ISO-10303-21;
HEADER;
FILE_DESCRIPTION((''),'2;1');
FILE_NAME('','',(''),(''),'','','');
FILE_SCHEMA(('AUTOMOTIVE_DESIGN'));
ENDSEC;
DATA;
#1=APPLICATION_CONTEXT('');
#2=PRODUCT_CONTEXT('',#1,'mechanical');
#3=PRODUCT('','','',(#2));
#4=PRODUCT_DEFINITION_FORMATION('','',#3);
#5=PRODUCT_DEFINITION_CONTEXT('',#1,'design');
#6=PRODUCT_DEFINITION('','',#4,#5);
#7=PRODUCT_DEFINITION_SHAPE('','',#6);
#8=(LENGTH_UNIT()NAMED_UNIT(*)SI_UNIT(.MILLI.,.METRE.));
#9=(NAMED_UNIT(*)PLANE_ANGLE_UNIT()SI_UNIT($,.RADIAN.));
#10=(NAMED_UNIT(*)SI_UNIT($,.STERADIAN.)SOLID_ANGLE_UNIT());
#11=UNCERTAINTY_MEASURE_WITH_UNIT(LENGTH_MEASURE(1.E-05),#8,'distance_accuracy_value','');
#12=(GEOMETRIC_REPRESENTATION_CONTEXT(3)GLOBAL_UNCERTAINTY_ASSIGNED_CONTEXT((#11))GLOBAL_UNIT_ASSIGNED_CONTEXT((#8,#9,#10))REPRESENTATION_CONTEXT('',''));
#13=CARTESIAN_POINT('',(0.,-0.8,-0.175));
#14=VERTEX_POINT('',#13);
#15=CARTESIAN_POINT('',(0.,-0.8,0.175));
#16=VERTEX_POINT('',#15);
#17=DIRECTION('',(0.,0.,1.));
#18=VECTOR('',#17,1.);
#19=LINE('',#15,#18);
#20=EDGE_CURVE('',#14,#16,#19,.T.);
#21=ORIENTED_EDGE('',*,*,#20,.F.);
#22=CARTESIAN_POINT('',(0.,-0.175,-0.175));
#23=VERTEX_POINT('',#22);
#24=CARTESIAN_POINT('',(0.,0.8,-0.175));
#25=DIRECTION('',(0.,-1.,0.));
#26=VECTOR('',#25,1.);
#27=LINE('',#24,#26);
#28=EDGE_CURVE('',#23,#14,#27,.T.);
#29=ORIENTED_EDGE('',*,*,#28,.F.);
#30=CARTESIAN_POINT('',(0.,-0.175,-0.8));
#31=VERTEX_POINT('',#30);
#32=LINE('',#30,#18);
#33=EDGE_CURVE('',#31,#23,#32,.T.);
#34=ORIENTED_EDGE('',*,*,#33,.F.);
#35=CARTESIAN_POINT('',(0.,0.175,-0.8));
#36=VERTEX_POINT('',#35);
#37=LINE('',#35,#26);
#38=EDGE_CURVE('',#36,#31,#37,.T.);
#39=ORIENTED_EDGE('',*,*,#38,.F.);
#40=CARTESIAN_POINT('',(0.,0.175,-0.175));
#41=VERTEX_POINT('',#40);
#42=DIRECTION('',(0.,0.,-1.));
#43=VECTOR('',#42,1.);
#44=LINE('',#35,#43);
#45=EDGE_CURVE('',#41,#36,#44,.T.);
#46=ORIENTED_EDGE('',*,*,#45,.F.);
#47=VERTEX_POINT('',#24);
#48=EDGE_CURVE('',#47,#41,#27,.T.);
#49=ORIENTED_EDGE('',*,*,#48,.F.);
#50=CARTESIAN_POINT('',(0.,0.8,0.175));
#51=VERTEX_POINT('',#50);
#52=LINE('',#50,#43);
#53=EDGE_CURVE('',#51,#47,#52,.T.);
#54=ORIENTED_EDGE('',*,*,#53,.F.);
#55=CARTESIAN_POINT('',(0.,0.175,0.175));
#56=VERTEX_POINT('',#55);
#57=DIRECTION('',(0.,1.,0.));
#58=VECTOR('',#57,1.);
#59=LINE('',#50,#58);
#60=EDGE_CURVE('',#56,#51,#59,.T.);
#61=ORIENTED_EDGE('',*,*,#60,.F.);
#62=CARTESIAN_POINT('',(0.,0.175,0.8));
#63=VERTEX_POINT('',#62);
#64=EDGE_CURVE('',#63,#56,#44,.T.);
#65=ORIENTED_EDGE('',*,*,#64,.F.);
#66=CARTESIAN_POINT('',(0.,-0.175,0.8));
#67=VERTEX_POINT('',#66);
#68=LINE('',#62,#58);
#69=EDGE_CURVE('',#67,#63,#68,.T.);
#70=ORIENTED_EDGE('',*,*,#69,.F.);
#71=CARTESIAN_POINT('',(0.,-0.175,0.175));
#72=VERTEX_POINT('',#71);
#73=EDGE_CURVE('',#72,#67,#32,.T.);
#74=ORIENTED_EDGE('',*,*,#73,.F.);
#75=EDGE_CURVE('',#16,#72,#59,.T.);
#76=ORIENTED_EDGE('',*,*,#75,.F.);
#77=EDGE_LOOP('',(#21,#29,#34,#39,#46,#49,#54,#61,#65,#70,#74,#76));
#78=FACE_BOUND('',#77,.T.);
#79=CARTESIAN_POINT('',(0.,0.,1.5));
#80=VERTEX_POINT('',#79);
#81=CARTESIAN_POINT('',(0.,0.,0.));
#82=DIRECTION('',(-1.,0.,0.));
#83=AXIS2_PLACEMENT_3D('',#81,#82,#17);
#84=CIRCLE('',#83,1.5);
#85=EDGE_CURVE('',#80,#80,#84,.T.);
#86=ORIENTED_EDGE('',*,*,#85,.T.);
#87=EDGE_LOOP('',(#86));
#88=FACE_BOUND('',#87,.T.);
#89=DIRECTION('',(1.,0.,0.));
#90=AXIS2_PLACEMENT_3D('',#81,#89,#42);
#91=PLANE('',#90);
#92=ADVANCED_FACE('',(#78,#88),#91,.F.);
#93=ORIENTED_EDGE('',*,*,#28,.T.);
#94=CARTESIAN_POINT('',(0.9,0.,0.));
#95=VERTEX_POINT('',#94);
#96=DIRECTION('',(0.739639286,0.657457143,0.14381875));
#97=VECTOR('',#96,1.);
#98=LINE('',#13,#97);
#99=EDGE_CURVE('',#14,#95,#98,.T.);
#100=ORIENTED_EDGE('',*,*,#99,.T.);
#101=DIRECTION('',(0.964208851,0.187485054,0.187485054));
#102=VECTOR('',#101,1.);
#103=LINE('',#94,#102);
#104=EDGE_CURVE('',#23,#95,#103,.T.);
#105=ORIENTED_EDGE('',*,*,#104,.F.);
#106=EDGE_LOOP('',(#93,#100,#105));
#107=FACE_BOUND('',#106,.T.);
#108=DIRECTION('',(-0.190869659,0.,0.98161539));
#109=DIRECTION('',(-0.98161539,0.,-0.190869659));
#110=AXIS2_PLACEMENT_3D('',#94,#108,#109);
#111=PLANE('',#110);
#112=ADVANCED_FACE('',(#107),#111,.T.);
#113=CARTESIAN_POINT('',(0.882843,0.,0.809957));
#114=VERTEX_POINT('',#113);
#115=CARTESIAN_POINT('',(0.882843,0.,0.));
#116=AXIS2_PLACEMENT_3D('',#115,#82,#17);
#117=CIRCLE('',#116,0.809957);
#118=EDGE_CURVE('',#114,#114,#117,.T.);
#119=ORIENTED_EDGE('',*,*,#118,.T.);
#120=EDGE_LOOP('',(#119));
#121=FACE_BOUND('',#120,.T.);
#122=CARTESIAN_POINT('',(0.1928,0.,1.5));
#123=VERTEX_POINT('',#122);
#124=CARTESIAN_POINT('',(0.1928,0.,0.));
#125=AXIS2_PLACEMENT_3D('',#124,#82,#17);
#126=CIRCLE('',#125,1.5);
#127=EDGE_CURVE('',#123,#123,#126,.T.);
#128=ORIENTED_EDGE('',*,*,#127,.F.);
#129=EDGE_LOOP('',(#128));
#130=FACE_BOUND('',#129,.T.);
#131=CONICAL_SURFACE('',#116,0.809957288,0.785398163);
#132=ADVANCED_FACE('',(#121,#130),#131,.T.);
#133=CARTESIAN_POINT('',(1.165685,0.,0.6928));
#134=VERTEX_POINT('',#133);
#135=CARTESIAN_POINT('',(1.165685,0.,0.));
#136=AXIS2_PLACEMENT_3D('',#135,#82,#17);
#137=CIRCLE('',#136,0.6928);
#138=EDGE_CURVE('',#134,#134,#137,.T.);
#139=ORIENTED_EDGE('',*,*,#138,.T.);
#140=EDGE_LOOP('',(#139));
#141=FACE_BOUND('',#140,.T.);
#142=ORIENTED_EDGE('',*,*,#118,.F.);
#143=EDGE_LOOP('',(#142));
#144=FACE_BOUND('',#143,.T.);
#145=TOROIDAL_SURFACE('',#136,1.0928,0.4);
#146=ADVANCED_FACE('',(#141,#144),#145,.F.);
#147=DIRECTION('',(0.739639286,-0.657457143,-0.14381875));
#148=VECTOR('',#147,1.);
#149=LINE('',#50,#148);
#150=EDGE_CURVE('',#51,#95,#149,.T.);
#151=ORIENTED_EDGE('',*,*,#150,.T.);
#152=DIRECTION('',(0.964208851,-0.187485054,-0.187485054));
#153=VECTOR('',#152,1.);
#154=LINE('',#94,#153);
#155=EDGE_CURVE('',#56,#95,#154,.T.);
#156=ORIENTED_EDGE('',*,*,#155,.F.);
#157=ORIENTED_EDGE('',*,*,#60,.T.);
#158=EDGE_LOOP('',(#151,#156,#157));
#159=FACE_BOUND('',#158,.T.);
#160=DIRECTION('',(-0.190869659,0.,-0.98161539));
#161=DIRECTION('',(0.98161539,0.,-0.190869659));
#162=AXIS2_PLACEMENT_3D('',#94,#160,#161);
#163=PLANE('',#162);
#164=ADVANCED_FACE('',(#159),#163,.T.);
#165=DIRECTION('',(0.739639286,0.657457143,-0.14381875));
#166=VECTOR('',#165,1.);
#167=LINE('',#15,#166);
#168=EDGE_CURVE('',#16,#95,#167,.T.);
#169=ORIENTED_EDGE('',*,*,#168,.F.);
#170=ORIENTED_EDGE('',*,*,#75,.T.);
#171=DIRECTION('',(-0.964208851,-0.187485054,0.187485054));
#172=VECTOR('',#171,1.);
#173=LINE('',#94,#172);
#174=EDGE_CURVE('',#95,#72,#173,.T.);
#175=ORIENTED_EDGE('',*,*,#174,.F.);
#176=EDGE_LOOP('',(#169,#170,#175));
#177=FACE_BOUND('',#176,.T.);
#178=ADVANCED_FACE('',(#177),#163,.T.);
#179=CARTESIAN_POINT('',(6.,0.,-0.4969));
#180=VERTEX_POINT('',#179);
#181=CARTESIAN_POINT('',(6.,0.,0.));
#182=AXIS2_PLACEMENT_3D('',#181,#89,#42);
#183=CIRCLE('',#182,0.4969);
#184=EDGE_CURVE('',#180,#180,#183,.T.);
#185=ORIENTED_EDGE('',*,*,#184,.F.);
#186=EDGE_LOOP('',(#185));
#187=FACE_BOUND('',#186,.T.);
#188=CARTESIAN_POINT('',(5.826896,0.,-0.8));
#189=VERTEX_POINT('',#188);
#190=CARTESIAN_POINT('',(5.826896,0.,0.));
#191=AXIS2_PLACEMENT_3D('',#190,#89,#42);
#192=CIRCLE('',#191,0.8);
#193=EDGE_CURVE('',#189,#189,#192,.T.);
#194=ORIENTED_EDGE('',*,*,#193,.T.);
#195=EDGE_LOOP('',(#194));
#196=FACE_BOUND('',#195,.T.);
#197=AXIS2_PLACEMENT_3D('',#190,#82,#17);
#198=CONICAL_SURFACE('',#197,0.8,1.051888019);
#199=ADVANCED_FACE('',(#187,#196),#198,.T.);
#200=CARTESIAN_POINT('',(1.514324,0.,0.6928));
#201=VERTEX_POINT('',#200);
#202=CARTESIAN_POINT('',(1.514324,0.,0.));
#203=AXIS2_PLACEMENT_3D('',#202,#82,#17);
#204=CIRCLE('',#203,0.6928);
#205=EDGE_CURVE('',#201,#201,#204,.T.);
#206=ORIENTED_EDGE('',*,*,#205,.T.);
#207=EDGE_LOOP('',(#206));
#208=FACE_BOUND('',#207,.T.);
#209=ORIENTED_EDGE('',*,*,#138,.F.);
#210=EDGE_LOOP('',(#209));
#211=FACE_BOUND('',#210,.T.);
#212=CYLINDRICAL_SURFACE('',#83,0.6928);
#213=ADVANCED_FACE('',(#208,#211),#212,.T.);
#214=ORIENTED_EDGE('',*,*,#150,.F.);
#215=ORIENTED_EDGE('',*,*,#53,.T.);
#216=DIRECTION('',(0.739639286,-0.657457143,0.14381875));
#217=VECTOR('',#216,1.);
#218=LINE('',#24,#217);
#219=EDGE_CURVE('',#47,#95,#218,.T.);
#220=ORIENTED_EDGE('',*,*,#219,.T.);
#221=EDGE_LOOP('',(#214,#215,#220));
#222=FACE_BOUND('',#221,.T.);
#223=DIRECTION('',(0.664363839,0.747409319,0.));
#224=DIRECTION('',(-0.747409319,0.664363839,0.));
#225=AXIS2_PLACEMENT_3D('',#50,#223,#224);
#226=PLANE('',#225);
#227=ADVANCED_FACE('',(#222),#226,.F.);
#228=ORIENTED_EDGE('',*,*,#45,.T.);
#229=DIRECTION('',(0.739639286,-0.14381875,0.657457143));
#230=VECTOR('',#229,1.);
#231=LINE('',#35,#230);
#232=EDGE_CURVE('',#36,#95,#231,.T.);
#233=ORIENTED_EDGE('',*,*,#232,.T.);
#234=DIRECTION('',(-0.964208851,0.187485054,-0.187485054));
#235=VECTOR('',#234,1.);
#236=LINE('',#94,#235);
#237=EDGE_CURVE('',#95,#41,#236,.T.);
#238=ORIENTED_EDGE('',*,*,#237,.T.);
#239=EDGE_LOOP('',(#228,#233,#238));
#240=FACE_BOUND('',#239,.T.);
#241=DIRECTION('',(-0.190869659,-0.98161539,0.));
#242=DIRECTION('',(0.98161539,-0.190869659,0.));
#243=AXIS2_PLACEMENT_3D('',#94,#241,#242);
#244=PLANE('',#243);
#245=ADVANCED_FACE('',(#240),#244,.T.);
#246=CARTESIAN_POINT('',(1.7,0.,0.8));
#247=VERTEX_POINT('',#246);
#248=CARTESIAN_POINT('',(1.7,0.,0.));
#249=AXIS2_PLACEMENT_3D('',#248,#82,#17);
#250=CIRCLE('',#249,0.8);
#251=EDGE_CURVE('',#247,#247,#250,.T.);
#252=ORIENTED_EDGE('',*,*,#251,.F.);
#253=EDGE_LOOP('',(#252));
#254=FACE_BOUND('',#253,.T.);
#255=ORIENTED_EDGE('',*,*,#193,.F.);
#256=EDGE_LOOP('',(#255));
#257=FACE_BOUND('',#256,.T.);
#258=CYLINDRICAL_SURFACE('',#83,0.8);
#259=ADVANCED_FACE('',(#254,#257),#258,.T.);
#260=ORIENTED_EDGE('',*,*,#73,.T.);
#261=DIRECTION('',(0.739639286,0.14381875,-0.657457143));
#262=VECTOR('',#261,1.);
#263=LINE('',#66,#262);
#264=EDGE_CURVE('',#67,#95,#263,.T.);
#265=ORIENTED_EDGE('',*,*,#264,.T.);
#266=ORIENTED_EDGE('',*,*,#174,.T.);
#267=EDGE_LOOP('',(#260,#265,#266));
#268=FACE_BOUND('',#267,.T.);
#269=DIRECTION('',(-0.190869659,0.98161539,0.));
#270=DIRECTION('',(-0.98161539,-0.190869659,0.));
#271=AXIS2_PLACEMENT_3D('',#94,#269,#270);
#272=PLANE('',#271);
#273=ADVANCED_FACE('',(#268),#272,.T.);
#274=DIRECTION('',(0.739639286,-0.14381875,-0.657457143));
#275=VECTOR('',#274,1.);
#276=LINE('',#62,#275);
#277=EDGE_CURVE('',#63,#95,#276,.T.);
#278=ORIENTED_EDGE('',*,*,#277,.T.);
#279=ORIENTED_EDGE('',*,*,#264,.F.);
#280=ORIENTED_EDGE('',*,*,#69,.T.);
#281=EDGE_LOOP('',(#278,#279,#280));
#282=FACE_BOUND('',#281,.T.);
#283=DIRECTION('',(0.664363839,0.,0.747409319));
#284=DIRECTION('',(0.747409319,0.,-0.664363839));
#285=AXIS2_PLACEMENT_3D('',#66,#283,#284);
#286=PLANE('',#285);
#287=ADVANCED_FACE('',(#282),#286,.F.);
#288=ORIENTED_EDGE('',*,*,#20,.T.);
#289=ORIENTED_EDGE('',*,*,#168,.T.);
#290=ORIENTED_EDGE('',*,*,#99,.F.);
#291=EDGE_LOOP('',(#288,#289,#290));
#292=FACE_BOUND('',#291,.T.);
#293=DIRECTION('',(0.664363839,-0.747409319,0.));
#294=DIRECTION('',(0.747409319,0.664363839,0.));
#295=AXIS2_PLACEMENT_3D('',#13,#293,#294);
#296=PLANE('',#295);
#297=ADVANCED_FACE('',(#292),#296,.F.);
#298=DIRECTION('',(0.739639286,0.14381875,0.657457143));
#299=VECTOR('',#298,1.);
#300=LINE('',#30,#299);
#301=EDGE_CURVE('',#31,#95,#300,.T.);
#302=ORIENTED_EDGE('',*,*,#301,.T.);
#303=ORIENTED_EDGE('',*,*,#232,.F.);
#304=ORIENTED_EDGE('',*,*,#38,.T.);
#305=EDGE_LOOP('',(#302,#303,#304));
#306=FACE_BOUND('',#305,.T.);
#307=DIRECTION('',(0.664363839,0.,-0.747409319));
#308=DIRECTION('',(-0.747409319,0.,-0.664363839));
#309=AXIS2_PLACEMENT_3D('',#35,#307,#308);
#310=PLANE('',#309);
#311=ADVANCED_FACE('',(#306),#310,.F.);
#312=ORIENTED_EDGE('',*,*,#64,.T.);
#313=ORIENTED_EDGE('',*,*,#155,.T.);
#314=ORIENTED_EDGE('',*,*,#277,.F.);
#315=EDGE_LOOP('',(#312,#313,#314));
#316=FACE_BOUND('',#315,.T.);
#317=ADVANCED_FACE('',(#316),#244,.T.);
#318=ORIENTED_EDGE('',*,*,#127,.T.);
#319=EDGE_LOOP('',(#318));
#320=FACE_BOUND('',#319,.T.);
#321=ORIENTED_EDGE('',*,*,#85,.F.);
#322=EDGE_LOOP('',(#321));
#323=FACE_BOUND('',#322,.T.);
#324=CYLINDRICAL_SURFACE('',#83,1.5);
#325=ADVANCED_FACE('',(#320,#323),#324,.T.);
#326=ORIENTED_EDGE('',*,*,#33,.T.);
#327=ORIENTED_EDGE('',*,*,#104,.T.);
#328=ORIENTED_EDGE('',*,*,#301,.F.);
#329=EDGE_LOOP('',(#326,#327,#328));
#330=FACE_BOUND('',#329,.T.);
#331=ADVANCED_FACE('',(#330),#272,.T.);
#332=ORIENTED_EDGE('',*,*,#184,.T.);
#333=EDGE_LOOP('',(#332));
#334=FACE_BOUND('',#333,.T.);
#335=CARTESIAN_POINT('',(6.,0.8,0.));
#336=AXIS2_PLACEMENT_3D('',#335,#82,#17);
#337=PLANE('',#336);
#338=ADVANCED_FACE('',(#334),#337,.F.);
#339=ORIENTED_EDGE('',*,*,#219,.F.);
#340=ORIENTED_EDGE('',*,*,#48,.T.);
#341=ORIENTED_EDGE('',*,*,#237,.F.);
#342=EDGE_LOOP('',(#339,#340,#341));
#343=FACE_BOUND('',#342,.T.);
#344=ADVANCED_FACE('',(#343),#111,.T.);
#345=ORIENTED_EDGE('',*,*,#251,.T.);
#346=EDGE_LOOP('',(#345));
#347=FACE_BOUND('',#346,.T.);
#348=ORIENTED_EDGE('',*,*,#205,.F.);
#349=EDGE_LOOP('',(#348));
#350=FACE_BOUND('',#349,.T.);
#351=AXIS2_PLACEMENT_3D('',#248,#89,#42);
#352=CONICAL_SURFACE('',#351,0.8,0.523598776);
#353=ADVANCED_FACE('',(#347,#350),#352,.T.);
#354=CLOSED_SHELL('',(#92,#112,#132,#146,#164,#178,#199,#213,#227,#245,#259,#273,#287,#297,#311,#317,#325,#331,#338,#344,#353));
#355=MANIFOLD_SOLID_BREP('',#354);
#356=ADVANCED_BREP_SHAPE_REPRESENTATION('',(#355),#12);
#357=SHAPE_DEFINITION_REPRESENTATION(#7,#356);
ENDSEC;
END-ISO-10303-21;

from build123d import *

# Parameters (mm, degrees)
PATTERN_CIRCULAR_1_COUNT = 2
PATTERN_CIRCULAR_1_ANGLE = 90


with BuildPart() as part:
    # 草图1 → Revolve 694 (revolve)
    with BuildSketch(Plane.XY, mode=Mode.PRIVATE) as revolve_694_sk:
        with BuildLine():
            Line((0, 0), (0, 1.5))
            Line((0, 1.5), (0.1928, 1.5))
            Line((0.1928, 1.5), (0.882842712, 0.809957288))
            ThreePointArc((0.882842712, 0.809957288), (1.012612052, 0.723248187), (1.165685425, 0.6928))
            Line((1.165685425, 0.6928), (1.514324153, 0.6928))
            Line((1.514324153, 0.6928), (1.7, 0.8))
            Line((1.7, 0.8), (6, 0.8))
            Line((6, 0.8), (6, 0))
            Line((6, 0), (0, 0))
        make_face()
    revolve(revolve_694_sk.sketch.rotate(Axis((0, 0, 0), (1, 0, 0)), 90), axis=Axis((0, 0, 0), (1, 0, 0)))

    # 草图2 → 切除-旋转1 (revolve, cut)
    with BuildSketch(Plane.XY, mode=Mode.PRIVATE) as cut_revolve_1_sk:
        Polygon((5.826895602, 0.8), (6.176895602, 0.8), (6, 0.4969), align=None)
    revolve(cut_revolve_1_sk.sketch.rotate(Axis((0, 0, 0), (-1, 0, 0)), 270), axis=Axis((0, 0, 0), (-1, 0, 0)), mode=Mode.SUBTRACT)

    # 草图3 → 切除-放样1 section 0
    with BuildSketch(Plane.ZY, mode=Mode.PRIVATE) as loft_1_s0:
        with BuildLine():
            Line((-0.8, 0.175), (0.8, 0.175))
            Line((0.8, 0.175), (0.8, -0.175))
            Line((0.8, -0.175), (-0.8, -0.175))
            Line((-0.8, -0.175), (-0.8, 0.175))
        make_face()
    loft_1 = loft([loft_1_s0.sketch, Vertex(0.9, 0, 0)], mode=Mode.SUBTRACT)

    # 阵列(圆周)1: 切除-放样1 ×2 about axis
    pattern_circular_1_axis = Axis((0, 0, 0), (1, 0, 0))
    for i in range(1, PATTERN_CIRCULAR_1_COUNT):
        add(loft_1.rotate(pattern_circular_1_axis, i * PATTERN_CIRCULAR_1_ANGLE / (PATTERN_CIRCULAR_1_COUNT - 1)), mode=Mode.SUBTRACT)


solid = part.part
